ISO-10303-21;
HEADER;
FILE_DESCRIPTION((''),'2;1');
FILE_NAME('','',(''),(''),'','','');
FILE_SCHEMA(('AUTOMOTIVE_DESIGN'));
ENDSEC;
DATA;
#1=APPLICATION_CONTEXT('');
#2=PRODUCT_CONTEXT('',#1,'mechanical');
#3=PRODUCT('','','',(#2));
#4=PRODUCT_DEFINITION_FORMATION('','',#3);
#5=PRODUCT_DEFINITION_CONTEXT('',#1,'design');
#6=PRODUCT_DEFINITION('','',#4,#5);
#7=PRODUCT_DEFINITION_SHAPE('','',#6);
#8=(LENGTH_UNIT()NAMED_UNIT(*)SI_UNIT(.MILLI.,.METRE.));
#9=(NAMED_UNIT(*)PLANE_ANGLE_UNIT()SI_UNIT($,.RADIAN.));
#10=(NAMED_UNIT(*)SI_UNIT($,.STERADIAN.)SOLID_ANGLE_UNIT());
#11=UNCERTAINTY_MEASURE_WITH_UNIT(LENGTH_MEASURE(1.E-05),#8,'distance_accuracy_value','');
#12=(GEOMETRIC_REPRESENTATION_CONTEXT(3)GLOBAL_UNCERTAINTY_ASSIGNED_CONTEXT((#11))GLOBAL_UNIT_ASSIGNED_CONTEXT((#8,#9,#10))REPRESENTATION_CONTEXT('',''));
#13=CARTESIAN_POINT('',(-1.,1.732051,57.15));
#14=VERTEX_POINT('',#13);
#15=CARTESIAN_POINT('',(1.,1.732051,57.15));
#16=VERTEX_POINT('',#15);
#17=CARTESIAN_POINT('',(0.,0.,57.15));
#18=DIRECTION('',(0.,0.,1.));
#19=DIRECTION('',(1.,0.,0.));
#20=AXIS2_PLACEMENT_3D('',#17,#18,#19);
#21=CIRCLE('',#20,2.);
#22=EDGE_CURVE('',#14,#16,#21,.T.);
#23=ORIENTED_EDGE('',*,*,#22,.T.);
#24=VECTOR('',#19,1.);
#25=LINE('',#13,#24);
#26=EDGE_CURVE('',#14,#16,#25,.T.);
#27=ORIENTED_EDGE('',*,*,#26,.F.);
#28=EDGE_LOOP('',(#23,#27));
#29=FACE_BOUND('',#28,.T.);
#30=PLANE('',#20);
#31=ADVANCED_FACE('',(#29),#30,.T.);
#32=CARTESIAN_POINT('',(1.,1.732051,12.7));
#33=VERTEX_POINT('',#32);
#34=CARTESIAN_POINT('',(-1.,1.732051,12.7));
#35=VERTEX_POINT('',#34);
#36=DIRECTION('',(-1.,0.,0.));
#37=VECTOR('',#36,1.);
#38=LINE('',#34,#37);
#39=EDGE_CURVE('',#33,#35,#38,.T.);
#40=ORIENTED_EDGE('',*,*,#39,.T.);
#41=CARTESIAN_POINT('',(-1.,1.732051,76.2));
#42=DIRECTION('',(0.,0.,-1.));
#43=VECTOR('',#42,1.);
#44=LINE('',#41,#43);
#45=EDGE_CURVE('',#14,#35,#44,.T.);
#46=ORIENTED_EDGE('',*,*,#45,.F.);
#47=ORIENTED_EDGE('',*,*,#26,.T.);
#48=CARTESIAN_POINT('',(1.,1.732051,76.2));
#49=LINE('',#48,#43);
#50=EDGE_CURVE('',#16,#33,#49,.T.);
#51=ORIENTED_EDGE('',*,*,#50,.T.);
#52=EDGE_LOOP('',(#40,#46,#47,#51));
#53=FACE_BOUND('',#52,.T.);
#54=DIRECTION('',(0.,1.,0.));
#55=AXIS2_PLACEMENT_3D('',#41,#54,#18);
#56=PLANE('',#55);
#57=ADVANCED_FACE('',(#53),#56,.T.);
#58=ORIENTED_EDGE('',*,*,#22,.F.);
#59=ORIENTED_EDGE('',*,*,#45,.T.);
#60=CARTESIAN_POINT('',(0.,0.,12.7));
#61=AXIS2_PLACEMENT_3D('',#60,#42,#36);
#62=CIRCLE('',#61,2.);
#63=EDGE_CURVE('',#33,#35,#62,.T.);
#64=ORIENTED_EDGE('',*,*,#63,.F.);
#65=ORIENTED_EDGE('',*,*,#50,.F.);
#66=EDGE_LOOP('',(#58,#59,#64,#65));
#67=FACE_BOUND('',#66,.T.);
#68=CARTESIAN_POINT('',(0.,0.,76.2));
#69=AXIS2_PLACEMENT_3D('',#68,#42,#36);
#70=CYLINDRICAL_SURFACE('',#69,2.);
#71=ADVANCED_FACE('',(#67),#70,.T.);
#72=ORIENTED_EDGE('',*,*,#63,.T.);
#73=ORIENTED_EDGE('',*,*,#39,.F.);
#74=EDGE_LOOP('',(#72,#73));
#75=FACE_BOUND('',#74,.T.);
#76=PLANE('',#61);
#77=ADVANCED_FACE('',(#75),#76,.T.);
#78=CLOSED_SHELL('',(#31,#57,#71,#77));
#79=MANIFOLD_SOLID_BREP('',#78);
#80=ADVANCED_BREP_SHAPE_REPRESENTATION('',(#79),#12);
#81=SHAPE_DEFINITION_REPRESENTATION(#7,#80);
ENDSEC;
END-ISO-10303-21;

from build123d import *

# Parameters (mm, degrees)
SKETCH3_R               = 2
BOSS_EXTRUDE2_DEPTH     = 76.2
CUT_EXTRUDE5_DEPTH      = 77.25247537
CUT_EXTRUDE5_DEPTH_BACK = 77.25247537
CHAMFER1_SIZE           = 0.2
SKETCH11_R              = 3.175
CUT_EXTRUDE6_DEPTH      = 12.7
CUT_EXTRUDE7_START      = -19.05
SKETCH12_R              = 2
CUT_EXTRUDE7_DEPTH      = 19.05


with BuildPart() as part:
    # Sketch3 → Boss-Extrude2 (new body)
    with BuildSketch(Plane.XY):
        with Locations(Location((0, 0, 0), (0, 0, 180))):
            Circle(SKETCH3_R)
    extrude(amount=BOSS_EXTRUDE2_DEPTH)

    # Sketch10 → Cut-Extrude5 (cut, two sides: drawn at the far end of the back side and taken through both)
    with BuildSketch(Plane.XY.offset(-CUT_EXTRUDE5_DEPTH_BACK)):
        with BuildLine():
            Line((-1, 1.732050808), (1, 1.732050808))
            ThreePointArc((1, 1.732050808), (0, 2), (-1, 1.732050808))
        make_face()
    extrude(amount=CUT_EXTRUDE5_DEPTH + CUT_EXTRUDE5_DEPTH_BACK, mode=Mode.SUBTRACT)

    # Chamfer1
    chamfer1_edges = [part.edges().sort_by_distance(p)[0] for p in [
        (0, -2, 0),
        (0, -2, 76.2),
    ]]
    chamfer(chamfer1_edges, length=CHAMFER1_SIZE)

    # Sketch11 → Cut-Extrude6 (cut)
    with BuildSketch(Plane(origin=(0, 0, 0), x_dir=(-1, 0, 0), z_dir=(0, 0, -1))):
        Circle(SKETCH11_R)
    extrude(amount=-CUT_EXTRUDE6_DEPTH, mode=Mode.SUBTRACT)

    # Sketch12 → Cut-Extrude7 (cut)
    with BuildSketch(Plane.XY.offset(76.2).offset(CUT_EXTRUDE7_START)):
        Circle(SKETCH12_R)
    extrude(amount=CUT_EXTRUDE7_DEPTH, mode=Mode.SUBTRACT)


solid = part.part
